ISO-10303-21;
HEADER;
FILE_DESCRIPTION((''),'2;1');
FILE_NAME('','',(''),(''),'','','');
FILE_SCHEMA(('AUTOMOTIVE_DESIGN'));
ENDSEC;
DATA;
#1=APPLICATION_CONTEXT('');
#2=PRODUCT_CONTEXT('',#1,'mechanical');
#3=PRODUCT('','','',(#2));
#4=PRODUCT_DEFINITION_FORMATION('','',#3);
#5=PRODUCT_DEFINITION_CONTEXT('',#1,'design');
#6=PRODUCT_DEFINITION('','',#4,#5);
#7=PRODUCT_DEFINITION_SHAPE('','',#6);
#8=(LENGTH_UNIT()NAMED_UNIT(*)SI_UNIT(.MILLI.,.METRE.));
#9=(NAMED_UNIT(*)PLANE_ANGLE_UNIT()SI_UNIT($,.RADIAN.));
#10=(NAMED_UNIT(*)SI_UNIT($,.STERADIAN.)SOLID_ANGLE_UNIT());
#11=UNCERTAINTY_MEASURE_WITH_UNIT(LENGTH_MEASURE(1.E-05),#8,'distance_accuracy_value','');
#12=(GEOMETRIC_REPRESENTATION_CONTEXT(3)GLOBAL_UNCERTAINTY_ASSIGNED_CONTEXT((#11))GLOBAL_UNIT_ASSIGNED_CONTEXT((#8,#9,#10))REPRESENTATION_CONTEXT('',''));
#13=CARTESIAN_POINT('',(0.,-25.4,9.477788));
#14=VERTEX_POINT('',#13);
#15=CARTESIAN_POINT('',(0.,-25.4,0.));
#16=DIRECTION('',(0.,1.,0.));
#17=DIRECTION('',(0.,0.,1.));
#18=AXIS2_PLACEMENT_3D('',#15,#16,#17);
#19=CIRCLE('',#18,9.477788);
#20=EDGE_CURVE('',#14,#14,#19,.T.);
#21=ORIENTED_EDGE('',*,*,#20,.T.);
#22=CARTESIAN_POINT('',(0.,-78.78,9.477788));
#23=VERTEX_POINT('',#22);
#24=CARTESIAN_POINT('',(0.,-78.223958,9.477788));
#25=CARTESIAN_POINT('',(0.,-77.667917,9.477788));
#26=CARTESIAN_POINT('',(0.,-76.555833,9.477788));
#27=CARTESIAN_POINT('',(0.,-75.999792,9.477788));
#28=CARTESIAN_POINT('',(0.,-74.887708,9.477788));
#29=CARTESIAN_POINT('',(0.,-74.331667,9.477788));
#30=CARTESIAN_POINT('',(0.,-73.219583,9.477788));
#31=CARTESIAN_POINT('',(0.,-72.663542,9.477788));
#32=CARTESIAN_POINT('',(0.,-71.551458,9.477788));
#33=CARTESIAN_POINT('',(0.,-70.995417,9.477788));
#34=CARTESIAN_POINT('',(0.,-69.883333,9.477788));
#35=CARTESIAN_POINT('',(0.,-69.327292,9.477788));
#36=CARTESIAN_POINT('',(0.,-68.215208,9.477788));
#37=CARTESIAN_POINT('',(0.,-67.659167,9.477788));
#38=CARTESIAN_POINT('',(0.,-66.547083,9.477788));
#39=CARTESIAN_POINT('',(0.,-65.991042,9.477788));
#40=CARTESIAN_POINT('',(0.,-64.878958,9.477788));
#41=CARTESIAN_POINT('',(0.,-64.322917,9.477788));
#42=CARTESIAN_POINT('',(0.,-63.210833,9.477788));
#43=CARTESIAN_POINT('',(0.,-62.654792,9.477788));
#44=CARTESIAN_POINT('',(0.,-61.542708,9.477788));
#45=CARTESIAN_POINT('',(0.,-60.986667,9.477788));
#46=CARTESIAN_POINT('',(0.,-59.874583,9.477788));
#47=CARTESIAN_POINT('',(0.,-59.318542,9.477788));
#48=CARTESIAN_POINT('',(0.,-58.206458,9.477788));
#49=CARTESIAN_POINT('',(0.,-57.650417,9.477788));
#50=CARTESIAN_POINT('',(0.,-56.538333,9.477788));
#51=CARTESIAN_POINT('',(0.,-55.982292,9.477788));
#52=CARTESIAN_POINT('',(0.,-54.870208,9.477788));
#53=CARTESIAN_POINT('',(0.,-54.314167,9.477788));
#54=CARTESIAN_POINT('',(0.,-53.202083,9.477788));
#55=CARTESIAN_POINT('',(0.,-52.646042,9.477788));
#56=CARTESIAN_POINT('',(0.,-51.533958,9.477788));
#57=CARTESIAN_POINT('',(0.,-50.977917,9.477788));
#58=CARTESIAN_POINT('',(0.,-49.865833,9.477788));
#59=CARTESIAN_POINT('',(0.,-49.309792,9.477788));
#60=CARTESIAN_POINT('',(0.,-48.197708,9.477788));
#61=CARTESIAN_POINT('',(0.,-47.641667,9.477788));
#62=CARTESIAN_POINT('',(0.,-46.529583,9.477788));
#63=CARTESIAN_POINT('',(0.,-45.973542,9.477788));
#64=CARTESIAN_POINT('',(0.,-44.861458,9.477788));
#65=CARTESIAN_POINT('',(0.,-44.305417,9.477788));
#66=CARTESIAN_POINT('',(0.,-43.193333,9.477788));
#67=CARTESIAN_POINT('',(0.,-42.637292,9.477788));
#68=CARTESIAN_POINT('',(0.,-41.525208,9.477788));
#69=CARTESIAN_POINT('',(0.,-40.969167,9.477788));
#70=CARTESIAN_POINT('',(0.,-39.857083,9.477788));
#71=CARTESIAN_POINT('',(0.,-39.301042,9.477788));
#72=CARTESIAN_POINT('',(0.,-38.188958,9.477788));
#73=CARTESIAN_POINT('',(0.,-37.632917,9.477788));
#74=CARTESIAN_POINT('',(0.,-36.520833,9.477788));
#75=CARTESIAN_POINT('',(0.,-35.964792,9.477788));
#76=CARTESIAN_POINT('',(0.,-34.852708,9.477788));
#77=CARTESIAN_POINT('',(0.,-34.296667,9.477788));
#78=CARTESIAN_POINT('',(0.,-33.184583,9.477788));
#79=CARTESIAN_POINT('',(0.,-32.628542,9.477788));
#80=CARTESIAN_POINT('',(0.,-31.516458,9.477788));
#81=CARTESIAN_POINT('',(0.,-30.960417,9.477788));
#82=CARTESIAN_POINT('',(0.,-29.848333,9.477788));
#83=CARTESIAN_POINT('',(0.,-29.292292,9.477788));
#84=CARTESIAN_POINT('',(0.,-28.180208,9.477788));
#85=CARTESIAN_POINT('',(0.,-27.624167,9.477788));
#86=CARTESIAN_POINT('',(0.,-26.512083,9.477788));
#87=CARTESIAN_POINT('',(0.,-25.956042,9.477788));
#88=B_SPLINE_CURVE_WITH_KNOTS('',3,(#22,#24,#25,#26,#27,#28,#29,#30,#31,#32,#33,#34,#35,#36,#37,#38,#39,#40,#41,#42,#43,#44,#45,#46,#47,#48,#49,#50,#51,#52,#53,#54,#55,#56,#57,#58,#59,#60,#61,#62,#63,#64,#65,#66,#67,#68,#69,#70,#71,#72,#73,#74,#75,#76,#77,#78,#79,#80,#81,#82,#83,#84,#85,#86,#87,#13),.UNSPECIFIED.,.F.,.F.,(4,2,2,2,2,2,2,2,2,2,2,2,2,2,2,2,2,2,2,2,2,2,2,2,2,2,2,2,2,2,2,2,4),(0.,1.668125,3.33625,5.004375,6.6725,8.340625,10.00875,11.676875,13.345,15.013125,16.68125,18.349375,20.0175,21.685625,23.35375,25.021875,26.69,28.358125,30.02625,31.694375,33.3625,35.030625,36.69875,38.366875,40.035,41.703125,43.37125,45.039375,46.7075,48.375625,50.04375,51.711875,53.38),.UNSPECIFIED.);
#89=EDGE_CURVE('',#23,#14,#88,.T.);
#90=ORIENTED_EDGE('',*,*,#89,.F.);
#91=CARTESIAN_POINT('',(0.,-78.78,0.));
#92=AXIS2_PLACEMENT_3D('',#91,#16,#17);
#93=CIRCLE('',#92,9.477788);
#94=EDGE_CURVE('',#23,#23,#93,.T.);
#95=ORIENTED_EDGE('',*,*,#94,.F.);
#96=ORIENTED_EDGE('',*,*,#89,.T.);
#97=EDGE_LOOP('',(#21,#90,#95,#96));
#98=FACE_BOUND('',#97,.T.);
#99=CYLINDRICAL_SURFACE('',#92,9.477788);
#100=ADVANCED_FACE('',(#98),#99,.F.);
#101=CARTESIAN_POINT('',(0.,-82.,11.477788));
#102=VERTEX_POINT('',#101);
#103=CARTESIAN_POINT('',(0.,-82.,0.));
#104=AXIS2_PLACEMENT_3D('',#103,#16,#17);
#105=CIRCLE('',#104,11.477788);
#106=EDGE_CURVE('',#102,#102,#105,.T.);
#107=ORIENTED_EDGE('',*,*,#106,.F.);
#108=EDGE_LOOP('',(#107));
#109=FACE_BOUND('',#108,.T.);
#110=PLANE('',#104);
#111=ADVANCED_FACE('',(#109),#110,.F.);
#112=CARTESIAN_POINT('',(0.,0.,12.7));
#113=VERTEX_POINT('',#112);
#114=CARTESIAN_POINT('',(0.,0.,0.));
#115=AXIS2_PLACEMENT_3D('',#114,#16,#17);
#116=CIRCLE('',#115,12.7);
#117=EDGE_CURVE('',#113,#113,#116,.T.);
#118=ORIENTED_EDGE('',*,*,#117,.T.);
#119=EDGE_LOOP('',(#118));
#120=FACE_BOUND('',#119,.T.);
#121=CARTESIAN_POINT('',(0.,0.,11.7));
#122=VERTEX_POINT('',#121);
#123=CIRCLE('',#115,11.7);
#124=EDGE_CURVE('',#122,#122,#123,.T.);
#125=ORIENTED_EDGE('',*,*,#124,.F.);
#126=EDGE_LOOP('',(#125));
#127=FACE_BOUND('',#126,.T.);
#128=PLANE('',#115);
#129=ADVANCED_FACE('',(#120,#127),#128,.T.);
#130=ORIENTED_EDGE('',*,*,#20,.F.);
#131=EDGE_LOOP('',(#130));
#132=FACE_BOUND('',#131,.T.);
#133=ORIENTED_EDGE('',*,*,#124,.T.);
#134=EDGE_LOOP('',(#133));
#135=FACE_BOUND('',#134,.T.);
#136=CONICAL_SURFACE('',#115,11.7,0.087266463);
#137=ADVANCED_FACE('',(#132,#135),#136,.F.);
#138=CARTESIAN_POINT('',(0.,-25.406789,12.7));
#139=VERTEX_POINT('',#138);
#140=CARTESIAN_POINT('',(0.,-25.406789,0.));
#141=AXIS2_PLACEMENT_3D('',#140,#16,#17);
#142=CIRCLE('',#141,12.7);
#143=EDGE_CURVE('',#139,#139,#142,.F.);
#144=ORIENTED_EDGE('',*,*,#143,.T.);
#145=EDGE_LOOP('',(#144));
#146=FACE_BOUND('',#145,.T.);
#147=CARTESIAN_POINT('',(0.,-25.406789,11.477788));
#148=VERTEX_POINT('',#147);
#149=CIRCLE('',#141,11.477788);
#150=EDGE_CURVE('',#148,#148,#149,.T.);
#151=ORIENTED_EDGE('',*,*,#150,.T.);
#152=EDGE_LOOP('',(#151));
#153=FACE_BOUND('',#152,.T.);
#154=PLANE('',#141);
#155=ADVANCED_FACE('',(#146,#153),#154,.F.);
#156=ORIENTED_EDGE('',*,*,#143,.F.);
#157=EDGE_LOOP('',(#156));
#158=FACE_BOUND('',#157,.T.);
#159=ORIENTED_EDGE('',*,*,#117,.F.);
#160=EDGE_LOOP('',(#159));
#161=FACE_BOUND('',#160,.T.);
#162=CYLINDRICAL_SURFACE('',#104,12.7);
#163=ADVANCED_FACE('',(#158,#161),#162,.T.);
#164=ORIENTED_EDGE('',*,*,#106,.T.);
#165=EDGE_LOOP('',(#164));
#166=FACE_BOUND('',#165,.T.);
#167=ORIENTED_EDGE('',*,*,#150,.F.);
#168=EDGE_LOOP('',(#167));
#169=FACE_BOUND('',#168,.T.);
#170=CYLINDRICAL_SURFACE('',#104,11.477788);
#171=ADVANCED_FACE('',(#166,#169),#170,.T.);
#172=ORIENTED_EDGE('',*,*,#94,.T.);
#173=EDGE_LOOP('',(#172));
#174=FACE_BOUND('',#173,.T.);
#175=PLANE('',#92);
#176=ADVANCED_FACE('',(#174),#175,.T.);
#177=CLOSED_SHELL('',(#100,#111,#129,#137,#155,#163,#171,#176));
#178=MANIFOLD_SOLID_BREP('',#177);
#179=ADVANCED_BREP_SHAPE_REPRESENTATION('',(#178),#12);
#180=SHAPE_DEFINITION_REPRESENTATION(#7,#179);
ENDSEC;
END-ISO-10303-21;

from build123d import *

# Parameters (mm, degrees)
SKETCH1_R           = 12.7
BOSS_EXTRUDE1_DEPTH = 82
SKETCH2_R           = 11.7
CUT_EXTRUDE1_DEPTH  = 25.4
CUT_EXTRUDE1_DRAFT  = -5
SKETCH3_R           = 9.477787946
CUT_EXTRUDE2_DEPTH  = 53.38
SKETCH5_OUTSIDE_W   = 45.304
SKETCH5_OUTSIDE_H   = 45.304
SKETCH5_OUTSIDE_R   = 11.477787946
CUT_EXTRUDE4_DEPTH  = 60.374839676


with BuildPart() as part:
    # Sketch1 → Boss-Extrude1 (new body)
    with BuildSketch(Plane(origin=(0, 0, 0), x_dir=(1, 0, 0), z_dir=(0, 1, 0))):
        with Locations(Location((0, 0, 0), (0, 0, 270))):
            Circle(SKETCH1_R)
    extrude(amount=-BOSS_EXTRUDE1_DEPTH)


with BuildPart() as cut_extrude1_tool:
    # Sketch2 → Cut-Extrude1 (with draft: the straight prism first)
    with BuildSketch(Plane(origin=(0, 0, 0), x_dir=(1, 0, 0), z_dir=(0, 1, 0))):
        Circle(SKETCH2_R)
    extrude(amount=-CUT_EXTRUDE1_DEPTH)
    # Cut-Extrude1: the draft: its side faces are tilted about the plane it starts from
    cut_extrude1_sides = [cut_extrude1_tool.faces().sort_by_distance(p)[0] for p in [
        (-11.7, -12.7, 0),
    ]]
    draft(cut_extrude1_sides, Plane(origin=(0, 0, 0), x_dir=(1, 0, 0), z_dir=(0, 1, 0)), CUT_EXTRUDE1_DRAFT)


with BuildPart() as part_1:
    add(part.part)

    # Cut-Extrude1: cut by cut_extrude1_tool
    add(cut_extrude1_tool.part, mode=Mode.SUBTRACT)

    # Sketch3 → Cut-Extrude2 (cut)
    with BuildSketch(Plane(origin=(0, -25.4, 0), x_dir=(1, 0, 0), z_dir=(0, 1, 0))):
        with Locations(Location((0, 0, 0), (0, 0, 270))):
            Circle(SKETCH3_R)
    extrude(amount=-CUT_EXTRUDE2_DEPTH, mode=Mode.SUBTRACT)

    # Sketch5 outside → Cut-Extrude4 (cut, through all)
    with BuildSketch(Plane(origin=(0, -25.406788512, 0), x_dir=(1, 0, 0), z_dir=(0, 1, 0))):
        Rectangle(SKETCH5_OUTSIDE_W, SKETCH5_OUTSIDE_H)
        with Locations(Location((0, 0, 0), (0, 0, 270))):
            Circle(SKETCH5_OUTSIDE_R, mode=Mode.SUBTRACT)
    extrude(amount=-CUT_EXTRUDE4_DEPTH, mode=Mode.SUBTRACT)


solid = part_1.part
